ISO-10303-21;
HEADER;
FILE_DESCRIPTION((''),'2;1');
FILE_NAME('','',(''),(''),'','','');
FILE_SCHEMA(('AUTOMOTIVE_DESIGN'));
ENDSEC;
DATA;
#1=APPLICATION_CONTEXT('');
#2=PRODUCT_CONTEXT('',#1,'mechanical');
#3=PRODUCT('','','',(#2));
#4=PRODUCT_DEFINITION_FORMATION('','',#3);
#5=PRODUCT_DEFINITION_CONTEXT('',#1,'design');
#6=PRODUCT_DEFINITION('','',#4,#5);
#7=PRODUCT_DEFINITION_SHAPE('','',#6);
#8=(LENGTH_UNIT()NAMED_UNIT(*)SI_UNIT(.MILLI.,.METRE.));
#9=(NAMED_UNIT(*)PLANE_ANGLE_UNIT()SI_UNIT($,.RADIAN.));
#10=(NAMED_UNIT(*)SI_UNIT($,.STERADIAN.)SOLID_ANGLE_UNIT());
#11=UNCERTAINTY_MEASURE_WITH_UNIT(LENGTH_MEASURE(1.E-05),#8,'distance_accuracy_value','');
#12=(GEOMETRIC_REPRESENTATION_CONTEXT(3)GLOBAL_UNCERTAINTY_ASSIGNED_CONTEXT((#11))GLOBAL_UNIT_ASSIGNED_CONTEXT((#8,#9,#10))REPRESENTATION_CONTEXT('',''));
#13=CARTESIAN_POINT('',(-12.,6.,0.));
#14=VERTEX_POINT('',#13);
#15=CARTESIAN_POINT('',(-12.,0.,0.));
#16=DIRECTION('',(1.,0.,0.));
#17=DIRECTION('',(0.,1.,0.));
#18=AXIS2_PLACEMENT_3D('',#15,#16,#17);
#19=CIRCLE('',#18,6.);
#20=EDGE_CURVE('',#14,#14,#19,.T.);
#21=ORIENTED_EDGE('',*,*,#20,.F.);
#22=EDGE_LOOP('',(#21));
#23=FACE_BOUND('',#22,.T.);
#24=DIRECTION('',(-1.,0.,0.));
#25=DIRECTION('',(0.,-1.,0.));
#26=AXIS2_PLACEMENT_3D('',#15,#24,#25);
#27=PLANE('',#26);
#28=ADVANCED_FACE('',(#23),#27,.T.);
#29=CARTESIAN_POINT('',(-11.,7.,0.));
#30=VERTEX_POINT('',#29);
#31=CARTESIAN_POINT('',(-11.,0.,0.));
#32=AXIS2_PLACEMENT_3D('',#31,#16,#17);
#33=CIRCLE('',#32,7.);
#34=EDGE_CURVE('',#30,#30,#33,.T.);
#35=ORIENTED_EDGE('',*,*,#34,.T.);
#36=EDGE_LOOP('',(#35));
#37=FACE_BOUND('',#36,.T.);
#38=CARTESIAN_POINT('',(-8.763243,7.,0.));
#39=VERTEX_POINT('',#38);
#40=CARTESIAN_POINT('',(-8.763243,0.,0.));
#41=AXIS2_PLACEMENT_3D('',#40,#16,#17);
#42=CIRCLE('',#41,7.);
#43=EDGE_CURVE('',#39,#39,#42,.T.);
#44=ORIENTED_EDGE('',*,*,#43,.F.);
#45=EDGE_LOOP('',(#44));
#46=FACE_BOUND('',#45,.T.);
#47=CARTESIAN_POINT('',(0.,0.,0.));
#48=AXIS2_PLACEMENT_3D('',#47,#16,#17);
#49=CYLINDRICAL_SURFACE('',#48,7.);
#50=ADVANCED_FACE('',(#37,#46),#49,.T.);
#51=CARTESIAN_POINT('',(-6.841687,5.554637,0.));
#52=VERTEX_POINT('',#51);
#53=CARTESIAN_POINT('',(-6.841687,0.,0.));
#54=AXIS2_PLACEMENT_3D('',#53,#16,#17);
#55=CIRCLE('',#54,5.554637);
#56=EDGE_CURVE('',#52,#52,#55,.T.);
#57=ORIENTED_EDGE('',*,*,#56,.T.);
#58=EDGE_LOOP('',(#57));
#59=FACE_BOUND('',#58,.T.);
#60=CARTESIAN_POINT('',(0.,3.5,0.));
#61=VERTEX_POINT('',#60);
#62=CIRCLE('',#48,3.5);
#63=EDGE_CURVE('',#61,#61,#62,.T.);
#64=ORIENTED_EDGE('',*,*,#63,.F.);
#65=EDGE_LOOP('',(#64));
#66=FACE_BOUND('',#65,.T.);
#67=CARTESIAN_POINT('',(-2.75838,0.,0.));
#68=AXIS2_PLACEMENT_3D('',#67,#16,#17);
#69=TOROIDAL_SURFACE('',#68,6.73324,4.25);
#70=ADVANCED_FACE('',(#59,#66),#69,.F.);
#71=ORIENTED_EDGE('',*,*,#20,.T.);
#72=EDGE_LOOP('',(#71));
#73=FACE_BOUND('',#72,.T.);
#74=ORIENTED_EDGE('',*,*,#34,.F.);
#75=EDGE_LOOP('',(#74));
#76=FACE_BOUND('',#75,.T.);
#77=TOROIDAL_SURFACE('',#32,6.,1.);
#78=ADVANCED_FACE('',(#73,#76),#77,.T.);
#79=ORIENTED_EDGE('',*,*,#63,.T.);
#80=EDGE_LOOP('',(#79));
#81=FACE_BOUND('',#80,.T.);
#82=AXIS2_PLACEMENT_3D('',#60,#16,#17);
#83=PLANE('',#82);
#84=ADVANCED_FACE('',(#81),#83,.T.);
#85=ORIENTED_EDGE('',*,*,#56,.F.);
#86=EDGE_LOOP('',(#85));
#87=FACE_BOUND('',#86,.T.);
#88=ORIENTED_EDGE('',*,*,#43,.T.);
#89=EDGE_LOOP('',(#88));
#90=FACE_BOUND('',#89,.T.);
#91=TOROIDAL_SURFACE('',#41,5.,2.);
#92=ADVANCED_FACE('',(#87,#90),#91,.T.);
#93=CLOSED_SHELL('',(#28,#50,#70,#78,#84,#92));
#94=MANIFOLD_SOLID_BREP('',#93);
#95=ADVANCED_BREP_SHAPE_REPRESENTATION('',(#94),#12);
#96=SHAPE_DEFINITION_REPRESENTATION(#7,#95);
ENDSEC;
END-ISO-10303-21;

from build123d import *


with BuildPart() as part:
    # Sketch1 → Revolve1 (revolve)
    with BuildSketch(Plane.XY):
        with BuildLine():
            Line((-12, 0), (-12, 6))
            ThreePointArc((-12, 6), (-11.707106781, 6.707106781), (-11, 7))
            Line((-11, 7), (-8.763243193, 7))
            ThreePointArc((-8.763243193, 7), (-7.561010563, 6.598323091), (-6.84168702, 5.554636703))
            ThreePointArc((-6.84168702, 5.554636703), (-3.980771536, 2.662827028), (0, 3.5))
            Line((0, 3.5), (0, 0))
            Line((0, 0), (-12, 0))
        make_face()
    revolve(axis=Axis((0, 0, 0), (-1, 0, 0)))


solid = part.part
